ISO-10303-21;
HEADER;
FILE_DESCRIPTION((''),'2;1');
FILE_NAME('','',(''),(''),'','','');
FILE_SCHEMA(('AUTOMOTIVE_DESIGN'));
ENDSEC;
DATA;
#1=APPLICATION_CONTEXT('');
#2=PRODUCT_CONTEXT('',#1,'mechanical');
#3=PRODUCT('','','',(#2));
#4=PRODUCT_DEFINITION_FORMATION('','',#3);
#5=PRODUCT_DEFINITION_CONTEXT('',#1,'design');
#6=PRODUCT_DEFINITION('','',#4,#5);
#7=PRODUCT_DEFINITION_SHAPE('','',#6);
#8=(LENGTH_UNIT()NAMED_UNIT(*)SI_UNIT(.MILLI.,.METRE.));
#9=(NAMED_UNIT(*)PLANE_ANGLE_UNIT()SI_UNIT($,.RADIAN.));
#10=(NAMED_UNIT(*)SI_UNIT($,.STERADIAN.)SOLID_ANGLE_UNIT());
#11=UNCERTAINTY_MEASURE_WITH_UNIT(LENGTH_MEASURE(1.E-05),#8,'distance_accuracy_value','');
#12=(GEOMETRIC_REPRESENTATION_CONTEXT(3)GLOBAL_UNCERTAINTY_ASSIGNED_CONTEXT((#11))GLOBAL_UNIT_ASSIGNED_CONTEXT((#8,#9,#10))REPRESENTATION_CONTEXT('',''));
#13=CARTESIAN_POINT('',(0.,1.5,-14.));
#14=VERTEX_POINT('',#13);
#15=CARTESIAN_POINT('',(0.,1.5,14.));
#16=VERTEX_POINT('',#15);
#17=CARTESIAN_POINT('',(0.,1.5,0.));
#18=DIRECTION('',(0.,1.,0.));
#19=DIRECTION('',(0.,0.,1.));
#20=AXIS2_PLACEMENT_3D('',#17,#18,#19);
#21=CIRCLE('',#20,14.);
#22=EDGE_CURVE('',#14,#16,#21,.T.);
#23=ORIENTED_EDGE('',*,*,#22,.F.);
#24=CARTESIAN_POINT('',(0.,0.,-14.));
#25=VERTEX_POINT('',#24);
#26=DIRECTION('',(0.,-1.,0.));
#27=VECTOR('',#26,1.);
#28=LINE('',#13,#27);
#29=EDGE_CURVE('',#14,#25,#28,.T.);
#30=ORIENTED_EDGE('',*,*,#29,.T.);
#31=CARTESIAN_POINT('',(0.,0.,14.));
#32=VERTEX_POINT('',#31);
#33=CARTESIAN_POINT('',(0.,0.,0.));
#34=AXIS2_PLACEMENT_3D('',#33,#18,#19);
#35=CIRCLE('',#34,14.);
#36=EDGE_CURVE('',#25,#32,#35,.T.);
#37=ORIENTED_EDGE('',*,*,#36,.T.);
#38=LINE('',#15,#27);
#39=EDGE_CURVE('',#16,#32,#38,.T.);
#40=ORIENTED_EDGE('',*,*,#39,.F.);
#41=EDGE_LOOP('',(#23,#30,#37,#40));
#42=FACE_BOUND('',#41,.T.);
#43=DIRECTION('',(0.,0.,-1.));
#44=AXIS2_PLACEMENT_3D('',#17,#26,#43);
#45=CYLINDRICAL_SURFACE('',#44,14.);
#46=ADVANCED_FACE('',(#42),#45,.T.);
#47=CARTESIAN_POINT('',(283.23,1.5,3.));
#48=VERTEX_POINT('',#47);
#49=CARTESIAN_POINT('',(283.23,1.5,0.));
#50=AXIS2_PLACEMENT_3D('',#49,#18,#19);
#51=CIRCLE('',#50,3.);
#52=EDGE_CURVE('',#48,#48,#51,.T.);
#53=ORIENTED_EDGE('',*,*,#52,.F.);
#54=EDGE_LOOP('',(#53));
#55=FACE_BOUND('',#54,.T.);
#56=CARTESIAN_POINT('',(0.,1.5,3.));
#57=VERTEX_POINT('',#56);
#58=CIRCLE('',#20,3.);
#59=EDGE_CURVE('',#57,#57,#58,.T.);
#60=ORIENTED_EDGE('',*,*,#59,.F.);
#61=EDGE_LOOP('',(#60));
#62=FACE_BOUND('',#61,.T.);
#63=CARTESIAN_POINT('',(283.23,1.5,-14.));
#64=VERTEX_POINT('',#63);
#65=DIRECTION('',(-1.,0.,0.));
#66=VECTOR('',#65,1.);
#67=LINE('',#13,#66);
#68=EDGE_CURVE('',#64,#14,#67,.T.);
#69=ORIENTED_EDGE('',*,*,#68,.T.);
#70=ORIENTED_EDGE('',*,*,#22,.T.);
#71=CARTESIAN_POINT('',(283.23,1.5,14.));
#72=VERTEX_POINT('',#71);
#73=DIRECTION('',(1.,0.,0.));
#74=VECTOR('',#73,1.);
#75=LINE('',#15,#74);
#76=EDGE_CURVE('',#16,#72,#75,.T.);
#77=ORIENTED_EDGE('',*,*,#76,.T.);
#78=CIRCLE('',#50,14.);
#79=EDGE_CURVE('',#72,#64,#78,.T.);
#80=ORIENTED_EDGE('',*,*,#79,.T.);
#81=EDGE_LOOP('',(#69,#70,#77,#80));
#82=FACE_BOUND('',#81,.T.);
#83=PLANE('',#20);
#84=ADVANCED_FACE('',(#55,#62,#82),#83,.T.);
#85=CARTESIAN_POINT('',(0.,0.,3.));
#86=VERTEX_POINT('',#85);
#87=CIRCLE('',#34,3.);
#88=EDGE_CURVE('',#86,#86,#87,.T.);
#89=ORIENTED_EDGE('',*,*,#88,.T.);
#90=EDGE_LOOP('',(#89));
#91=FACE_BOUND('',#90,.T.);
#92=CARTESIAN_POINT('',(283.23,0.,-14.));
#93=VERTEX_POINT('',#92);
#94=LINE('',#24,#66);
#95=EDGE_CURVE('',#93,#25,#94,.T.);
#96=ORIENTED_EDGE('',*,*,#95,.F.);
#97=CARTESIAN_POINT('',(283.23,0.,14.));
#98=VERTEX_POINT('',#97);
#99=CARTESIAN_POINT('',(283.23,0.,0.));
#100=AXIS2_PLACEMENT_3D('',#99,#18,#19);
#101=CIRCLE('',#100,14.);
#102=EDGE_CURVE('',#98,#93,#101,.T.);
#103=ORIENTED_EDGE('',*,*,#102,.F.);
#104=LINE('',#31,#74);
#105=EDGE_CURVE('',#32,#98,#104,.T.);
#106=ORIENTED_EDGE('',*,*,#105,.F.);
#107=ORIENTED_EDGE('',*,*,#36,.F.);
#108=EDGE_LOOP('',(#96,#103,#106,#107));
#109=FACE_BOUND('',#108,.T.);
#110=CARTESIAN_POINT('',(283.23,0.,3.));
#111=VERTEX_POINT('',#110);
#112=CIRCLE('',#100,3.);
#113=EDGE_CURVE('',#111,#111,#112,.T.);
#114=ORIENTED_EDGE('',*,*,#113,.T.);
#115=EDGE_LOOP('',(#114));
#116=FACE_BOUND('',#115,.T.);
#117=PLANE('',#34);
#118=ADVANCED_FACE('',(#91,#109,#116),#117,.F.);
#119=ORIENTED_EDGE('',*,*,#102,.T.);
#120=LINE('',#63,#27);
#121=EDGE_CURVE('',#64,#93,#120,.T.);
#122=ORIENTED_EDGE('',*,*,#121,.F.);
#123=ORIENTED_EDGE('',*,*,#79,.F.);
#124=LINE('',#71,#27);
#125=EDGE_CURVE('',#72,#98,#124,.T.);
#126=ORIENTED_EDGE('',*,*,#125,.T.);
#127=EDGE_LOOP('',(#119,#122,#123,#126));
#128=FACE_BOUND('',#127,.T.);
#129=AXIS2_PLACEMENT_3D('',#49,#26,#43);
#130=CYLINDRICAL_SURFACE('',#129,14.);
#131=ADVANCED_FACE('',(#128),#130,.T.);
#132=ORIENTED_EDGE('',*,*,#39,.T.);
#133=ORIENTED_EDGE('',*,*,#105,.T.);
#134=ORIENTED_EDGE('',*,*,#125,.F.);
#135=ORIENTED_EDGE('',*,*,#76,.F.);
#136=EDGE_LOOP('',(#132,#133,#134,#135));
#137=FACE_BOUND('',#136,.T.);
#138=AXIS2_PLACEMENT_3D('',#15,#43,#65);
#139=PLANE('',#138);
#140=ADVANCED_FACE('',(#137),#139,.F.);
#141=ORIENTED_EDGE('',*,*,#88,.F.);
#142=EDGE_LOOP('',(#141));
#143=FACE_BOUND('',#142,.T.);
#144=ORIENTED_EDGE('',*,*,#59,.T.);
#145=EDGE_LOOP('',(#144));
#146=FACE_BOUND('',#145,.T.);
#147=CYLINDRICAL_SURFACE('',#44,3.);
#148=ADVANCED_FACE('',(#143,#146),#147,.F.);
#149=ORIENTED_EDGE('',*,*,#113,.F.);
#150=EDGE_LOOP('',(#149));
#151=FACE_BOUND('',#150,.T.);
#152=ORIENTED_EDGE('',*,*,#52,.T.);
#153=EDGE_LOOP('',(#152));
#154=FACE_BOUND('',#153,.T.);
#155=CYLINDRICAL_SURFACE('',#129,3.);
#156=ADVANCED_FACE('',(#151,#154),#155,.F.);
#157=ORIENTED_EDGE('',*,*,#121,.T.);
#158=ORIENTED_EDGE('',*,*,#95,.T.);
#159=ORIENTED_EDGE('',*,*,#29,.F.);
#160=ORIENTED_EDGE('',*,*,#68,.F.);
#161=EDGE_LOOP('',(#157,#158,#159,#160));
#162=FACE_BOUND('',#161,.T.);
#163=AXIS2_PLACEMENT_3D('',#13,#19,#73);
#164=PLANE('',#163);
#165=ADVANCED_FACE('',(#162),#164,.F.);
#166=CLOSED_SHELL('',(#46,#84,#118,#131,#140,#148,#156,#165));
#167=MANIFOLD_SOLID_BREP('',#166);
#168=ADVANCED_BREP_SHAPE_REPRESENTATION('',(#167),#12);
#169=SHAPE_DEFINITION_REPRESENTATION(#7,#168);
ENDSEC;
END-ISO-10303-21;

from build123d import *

# Parameters (mm, degrees)
SKETCH1_R           = 3
BOSS_EXTRUDE1_DEPTH = 1.5


with BuildPart() as part:
    # Sketch1 → Boss-Extrude1 (new body)
    with BuildSketch(Plane(origin=(0, 0, 0), x_dir=(1, 0, 0), z_dir=(0, 1, 0))):
        with BuildLine():
            Line((0, 14), (283.23, 14))
            ThreePointArc((283.23, 14), (297.23, 0), (283.23, -14))
            Line((283.23, -14), (0, -14))
            ThreePointArc((0, -14), (-14, 0), (0, 14))
        make_face()
        Circle(SKETCH1_R, mode=Mode.SUBTRACT)
        with Locations((283.23, 0)):
            Circle(SKETCH1_R, mode=Mode.SUBTRACT)
    extrude(amount=BOSS_EXTRUDE1_DEPTH)


solid = part.part
